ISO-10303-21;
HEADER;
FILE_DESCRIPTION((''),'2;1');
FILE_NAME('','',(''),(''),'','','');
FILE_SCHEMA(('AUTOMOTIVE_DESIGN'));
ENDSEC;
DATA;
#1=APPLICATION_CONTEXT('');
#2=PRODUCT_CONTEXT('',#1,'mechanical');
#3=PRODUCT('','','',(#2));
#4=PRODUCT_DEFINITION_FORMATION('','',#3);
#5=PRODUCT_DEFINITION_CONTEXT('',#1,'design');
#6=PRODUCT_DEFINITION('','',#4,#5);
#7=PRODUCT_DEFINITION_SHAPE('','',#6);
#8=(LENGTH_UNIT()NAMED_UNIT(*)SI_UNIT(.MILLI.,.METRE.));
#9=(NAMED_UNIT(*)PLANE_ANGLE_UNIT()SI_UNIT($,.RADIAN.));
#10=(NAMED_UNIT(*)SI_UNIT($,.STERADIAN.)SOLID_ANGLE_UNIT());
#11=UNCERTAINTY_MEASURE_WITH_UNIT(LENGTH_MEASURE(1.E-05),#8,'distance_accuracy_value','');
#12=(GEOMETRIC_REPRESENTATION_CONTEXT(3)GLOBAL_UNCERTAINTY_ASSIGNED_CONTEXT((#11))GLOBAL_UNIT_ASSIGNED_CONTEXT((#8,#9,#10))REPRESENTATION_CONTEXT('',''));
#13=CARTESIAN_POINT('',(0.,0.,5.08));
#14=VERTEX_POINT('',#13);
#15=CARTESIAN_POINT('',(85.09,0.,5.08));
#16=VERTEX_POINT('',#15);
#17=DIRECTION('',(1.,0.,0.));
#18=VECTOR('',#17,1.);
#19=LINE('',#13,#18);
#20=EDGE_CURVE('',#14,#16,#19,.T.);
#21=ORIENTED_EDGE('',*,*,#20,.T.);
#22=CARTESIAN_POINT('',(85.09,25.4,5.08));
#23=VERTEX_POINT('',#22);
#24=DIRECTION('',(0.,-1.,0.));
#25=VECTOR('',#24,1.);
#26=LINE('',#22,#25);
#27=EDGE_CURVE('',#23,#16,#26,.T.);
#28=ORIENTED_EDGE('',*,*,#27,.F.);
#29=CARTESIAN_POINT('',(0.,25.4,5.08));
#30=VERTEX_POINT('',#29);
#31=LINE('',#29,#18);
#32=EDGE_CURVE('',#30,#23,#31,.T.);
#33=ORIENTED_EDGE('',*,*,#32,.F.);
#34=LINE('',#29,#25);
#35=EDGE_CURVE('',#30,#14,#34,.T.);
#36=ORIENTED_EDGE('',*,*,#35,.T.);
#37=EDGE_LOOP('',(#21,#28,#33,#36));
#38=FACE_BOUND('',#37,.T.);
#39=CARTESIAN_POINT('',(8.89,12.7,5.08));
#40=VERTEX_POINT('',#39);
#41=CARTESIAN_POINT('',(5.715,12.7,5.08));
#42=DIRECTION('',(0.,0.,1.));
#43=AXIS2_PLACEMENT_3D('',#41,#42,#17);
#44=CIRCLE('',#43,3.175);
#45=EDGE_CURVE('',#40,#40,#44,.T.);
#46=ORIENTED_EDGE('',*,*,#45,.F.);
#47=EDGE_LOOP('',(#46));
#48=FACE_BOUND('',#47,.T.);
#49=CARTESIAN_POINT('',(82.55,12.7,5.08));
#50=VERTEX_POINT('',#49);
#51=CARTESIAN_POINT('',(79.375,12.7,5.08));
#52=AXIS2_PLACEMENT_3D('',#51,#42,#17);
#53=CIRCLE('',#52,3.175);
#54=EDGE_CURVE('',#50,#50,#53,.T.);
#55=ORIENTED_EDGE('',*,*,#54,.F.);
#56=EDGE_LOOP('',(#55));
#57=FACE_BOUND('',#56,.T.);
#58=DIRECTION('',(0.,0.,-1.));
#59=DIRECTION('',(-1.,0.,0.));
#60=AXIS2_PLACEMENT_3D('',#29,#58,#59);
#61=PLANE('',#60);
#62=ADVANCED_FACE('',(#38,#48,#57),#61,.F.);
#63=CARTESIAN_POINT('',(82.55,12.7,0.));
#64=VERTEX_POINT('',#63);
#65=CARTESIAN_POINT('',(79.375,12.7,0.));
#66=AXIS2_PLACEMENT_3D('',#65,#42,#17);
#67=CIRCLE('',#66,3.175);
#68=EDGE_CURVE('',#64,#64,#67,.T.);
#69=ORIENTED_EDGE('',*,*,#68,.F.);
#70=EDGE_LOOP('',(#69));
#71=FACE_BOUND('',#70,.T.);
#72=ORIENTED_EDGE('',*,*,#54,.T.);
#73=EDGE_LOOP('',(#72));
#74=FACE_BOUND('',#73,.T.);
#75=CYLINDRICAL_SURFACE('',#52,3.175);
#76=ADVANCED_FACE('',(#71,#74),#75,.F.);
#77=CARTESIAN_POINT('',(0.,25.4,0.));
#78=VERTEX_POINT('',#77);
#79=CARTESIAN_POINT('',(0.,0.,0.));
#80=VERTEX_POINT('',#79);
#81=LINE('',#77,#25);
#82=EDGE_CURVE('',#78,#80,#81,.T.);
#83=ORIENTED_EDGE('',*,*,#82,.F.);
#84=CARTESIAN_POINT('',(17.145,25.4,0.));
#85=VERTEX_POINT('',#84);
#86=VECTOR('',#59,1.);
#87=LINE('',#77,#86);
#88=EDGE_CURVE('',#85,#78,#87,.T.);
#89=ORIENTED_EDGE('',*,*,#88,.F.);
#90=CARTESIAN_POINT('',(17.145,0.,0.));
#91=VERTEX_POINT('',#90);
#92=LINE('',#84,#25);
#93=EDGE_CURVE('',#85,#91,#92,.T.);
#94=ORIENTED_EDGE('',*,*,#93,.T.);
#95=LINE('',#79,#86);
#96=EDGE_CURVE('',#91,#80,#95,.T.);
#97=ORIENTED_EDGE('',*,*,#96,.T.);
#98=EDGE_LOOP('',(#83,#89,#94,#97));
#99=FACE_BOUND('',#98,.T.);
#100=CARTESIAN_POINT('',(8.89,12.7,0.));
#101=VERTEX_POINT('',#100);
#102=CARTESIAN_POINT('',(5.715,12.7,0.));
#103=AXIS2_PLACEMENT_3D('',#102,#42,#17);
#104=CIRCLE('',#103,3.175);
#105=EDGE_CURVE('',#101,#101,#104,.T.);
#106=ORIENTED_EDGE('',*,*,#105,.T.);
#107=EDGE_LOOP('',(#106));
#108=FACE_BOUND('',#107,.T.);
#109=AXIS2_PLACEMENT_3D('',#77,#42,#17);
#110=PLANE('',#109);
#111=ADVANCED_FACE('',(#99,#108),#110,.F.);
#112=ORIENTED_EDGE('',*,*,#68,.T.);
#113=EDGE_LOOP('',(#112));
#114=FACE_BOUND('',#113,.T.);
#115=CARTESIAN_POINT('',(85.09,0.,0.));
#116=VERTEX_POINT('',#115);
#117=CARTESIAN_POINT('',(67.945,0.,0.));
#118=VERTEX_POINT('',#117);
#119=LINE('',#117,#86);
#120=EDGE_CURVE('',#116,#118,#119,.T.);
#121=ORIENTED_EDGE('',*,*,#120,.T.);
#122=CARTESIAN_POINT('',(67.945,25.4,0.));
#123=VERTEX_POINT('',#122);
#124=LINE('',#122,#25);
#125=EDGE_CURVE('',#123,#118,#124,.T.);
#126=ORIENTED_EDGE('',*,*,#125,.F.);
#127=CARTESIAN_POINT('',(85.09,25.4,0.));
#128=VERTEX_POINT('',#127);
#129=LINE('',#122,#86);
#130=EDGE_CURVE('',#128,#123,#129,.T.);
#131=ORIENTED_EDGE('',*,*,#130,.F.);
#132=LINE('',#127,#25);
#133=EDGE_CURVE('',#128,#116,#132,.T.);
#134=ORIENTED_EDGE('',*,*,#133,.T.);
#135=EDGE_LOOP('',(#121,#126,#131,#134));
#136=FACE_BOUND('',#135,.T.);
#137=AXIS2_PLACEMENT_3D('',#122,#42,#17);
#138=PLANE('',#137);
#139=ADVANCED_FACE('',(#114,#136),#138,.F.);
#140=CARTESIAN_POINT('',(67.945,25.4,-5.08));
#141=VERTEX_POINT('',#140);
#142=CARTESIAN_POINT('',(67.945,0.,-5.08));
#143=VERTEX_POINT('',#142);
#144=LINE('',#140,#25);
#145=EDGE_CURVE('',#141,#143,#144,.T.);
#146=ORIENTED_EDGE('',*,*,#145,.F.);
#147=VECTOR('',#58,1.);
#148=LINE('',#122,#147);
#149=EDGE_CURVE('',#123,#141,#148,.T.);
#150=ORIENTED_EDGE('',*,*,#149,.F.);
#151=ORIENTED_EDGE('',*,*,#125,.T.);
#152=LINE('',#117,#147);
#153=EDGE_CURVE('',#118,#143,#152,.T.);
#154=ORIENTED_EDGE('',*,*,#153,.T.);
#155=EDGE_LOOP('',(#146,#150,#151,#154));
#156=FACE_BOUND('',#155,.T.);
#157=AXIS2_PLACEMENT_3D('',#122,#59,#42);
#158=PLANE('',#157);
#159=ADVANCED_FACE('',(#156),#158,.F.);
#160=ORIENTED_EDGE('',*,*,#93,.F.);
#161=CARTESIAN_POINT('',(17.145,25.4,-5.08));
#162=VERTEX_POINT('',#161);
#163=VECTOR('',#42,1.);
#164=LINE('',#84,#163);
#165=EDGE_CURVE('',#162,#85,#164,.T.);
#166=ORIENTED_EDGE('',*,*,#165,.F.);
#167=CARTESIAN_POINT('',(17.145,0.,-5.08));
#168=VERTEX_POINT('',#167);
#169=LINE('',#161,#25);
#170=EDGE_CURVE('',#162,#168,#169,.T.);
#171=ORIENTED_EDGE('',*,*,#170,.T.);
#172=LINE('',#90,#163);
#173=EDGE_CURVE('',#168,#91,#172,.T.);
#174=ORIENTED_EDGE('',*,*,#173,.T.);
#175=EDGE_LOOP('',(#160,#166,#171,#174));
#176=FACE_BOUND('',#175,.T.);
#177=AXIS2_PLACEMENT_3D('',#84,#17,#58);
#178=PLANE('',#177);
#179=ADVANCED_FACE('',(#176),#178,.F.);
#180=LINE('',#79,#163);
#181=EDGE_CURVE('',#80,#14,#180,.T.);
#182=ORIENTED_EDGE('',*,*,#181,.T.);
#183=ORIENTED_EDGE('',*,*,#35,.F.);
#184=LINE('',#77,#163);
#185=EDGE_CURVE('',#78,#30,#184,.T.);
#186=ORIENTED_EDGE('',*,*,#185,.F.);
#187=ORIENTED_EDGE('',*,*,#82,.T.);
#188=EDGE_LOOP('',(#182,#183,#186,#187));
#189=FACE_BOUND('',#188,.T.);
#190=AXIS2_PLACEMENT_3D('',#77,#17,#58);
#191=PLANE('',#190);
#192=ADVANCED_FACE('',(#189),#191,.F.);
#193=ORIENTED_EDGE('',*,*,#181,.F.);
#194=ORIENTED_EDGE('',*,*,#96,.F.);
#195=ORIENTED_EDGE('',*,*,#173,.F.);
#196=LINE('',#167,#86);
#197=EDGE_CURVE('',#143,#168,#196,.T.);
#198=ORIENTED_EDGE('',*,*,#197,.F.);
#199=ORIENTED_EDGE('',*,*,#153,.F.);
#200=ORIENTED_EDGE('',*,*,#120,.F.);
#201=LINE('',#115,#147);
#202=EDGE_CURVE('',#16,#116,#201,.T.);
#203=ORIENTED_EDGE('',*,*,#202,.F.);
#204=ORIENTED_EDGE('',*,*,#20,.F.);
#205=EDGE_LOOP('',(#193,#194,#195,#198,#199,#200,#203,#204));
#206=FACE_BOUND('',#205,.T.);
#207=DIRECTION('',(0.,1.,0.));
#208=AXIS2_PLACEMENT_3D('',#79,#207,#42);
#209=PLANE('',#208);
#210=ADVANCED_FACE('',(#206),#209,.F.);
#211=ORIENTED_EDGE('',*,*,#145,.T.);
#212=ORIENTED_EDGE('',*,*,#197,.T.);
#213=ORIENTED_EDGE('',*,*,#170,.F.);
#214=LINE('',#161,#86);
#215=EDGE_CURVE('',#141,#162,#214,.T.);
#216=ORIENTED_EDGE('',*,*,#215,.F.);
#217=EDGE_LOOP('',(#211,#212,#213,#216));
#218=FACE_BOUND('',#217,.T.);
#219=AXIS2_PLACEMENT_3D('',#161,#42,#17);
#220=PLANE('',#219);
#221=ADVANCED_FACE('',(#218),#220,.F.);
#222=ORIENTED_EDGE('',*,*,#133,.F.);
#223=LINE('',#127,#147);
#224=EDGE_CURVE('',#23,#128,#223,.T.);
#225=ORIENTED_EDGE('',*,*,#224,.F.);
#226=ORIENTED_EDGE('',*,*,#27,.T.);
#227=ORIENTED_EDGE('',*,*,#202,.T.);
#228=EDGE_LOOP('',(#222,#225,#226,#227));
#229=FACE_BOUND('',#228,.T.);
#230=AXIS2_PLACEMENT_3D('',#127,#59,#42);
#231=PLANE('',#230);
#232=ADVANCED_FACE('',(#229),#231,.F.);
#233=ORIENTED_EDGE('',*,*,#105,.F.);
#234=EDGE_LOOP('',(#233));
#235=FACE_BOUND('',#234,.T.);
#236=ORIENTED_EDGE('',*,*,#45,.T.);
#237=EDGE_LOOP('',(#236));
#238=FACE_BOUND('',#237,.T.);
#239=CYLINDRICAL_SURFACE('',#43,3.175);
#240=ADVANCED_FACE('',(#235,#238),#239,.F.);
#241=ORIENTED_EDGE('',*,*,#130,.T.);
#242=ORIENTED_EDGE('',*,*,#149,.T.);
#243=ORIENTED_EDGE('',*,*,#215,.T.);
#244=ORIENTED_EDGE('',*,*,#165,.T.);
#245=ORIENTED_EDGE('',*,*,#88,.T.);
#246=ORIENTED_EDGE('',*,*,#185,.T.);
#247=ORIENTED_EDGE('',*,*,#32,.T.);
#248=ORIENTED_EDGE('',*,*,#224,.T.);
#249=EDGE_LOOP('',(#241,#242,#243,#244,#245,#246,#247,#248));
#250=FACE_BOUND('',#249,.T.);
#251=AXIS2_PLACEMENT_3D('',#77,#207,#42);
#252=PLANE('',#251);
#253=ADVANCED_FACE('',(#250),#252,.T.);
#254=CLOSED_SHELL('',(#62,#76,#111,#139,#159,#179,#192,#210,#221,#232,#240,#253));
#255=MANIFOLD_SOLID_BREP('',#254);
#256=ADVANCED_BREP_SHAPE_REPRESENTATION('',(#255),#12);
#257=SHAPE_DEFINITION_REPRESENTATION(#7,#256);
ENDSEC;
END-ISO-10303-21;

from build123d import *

# Parameters (mm, degrees)
BOSS_EXTRUDE1_DEPTH         = 25.4
F_1_4_0_25_DIAMETER_HOLE1_D = 6.35


with BuildPart() as part:
    # Sketch1 → Boss-Extrude1 (new body)
    with BuildSketch(Plane(origin=(0, 0, 0), x_dir=(1, 0, 0), z_dir=(0, 1, 0))):
        Polygon((67.945, 0), (85.09, 0), (85.09, -5.08), (0, -5.08), (0, 0), (17.145, 0), (17.145, 5.08), (67.945, 5.08), align=None)
    extrude(amount=BOSS_EXTRUDE1_DEPTH)

    # 1/4 (0.25) Diameter Hole1 (through all)
    with Locations(Plane.XY.offset(5.08)):
        with Locations((5.715, 12.7), (79.375, 12.7)):
            Hole(F_1_4_0_25_DIAMETER_HOLE1_D / 2)


solid = part.part
